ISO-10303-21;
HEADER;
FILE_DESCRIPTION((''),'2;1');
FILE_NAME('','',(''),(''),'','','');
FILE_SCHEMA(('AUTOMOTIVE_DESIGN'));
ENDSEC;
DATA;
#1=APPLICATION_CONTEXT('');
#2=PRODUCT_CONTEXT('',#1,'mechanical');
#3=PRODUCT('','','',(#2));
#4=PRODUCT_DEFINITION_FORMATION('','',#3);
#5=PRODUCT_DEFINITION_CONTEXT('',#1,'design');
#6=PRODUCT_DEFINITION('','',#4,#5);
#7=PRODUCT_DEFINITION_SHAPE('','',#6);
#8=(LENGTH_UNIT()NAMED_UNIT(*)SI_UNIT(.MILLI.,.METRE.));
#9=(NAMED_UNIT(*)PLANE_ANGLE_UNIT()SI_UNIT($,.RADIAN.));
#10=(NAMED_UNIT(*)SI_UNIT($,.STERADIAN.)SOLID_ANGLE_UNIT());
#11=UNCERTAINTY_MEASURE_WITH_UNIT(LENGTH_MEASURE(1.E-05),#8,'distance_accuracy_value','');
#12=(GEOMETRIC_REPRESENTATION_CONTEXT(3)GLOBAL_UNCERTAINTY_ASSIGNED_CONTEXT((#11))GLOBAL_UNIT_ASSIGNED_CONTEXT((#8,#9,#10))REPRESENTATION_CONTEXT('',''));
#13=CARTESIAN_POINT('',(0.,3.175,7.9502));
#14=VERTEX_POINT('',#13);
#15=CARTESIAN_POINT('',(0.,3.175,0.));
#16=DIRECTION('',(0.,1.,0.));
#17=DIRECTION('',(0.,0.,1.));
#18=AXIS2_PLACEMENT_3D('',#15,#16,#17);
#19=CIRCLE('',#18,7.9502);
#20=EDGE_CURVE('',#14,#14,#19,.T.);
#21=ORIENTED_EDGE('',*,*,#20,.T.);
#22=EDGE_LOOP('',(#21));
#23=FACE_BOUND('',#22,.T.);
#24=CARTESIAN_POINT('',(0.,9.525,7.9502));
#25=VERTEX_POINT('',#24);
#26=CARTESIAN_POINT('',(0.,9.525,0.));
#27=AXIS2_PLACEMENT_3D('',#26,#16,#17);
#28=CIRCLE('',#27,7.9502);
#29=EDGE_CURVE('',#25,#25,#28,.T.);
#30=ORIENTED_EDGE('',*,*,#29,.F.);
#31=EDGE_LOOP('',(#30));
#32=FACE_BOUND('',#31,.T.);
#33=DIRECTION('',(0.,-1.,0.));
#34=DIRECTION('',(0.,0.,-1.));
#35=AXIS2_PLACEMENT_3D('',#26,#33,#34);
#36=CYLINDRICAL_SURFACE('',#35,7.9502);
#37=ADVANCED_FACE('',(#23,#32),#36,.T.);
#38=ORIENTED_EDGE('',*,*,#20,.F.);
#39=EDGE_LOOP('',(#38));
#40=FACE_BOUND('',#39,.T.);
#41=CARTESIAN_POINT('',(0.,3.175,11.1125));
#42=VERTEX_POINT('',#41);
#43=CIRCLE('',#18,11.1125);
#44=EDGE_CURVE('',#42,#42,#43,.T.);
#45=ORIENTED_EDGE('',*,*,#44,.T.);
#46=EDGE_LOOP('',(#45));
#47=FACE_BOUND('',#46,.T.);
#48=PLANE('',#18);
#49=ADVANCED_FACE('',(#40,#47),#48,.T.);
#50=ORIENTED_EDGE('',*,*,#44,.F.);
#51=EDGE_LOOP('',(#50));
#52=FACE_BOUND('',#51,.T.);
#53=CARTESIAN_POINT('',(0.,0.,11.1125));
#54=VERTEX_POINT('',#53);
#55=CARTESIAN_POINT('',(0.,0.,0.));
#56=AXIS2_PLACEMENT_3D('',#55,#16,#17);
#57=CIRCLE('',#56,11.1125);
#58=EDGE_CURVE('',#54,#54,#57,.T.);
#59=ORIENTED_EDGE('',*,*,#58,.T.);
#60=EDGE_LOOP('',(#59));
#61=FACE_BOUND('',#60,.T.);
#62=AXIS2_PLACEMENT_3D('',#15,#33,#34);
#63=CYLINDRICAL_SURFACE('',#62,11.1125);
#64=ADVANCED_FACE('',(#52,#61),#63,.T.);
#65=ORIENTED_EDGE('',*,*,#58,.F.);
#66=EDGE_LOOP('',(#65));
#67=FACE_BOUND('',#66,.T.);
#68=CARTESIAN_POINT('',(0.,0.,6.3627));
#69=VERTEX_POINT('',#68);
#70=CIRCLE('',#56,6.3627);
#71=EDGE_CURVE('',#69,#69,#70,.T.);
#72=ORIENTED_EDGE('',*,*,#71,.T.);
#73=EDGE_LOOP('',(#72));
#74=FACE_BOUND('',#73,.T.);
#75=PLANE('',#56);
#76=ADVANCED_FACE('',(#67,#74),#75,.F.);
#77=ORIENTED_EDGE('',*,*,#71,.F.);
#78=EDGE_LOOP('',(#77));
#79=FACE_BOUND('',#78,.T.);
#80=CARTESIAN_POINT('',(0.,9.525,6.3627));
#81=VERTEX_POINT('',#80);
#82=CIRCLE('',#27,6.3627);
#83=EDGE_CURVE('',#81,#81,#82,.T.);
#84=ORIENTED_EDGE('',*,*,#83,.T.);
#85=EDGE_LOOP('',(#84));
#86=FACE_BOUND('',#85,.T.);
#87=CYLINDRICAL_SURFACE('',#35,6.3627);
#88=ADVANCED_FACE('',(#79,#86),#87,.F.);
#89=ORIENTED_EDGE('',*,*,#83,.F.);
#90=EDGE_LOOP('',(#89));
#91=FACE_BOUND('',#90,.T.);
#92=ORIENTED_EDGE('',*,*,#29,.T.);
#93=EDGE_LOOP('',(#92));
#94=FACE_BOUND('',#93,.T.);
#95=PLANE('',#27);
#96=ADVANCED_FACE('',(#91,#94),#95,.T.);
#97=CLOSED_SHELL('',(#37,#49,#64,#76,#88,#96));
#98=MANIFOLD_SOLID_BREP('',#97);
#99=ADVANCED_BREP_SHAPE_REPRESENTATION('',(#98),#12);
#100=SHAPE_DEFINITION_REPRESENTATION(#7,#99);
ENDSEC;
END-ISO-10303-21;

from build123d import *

# Parameters (mm, degrees)
SKETCH2_R           = 7.9502
SKETCH2_R_2         = 6.3627
BOSS_EXTRUDE1_DEPTH = 9.525
SKETCH3_R           = 11.1125
SKETCH3_R_2         = 7.9502
BOSS_EXTRUDE2_DEPTH = 3.175


with BuildPart() as part:
    # Sketch2 → Boss-Extrude1 (new body)
    with BuildSketch(Plane(origin=(0, 0, 0), x_dir=(1, 0, 0), z_dir=(0, 1, 0))):
        Circle(SKETCH2_R)
        Circle(SKETCH2_R_2, mode=Mode.SUBTRACT)
    extrude(amount=BOSS_EXTRUDE1_DEPTH)

    # Sketch3 → Boss-Extrude2 (add)
    with BuildSketch(Plane(origin=(0, 0, 0), x_dir=(1, 0, 0), z_dir=(0, 1, 0))):
        Circle(SKETCH3_R)
        Circle(SKETCH3_R_2, mode=Mode.SUBTRACT)
    extrude(amount=BOSS_EXTRUDE2_DEPTH)


solid = part.part
